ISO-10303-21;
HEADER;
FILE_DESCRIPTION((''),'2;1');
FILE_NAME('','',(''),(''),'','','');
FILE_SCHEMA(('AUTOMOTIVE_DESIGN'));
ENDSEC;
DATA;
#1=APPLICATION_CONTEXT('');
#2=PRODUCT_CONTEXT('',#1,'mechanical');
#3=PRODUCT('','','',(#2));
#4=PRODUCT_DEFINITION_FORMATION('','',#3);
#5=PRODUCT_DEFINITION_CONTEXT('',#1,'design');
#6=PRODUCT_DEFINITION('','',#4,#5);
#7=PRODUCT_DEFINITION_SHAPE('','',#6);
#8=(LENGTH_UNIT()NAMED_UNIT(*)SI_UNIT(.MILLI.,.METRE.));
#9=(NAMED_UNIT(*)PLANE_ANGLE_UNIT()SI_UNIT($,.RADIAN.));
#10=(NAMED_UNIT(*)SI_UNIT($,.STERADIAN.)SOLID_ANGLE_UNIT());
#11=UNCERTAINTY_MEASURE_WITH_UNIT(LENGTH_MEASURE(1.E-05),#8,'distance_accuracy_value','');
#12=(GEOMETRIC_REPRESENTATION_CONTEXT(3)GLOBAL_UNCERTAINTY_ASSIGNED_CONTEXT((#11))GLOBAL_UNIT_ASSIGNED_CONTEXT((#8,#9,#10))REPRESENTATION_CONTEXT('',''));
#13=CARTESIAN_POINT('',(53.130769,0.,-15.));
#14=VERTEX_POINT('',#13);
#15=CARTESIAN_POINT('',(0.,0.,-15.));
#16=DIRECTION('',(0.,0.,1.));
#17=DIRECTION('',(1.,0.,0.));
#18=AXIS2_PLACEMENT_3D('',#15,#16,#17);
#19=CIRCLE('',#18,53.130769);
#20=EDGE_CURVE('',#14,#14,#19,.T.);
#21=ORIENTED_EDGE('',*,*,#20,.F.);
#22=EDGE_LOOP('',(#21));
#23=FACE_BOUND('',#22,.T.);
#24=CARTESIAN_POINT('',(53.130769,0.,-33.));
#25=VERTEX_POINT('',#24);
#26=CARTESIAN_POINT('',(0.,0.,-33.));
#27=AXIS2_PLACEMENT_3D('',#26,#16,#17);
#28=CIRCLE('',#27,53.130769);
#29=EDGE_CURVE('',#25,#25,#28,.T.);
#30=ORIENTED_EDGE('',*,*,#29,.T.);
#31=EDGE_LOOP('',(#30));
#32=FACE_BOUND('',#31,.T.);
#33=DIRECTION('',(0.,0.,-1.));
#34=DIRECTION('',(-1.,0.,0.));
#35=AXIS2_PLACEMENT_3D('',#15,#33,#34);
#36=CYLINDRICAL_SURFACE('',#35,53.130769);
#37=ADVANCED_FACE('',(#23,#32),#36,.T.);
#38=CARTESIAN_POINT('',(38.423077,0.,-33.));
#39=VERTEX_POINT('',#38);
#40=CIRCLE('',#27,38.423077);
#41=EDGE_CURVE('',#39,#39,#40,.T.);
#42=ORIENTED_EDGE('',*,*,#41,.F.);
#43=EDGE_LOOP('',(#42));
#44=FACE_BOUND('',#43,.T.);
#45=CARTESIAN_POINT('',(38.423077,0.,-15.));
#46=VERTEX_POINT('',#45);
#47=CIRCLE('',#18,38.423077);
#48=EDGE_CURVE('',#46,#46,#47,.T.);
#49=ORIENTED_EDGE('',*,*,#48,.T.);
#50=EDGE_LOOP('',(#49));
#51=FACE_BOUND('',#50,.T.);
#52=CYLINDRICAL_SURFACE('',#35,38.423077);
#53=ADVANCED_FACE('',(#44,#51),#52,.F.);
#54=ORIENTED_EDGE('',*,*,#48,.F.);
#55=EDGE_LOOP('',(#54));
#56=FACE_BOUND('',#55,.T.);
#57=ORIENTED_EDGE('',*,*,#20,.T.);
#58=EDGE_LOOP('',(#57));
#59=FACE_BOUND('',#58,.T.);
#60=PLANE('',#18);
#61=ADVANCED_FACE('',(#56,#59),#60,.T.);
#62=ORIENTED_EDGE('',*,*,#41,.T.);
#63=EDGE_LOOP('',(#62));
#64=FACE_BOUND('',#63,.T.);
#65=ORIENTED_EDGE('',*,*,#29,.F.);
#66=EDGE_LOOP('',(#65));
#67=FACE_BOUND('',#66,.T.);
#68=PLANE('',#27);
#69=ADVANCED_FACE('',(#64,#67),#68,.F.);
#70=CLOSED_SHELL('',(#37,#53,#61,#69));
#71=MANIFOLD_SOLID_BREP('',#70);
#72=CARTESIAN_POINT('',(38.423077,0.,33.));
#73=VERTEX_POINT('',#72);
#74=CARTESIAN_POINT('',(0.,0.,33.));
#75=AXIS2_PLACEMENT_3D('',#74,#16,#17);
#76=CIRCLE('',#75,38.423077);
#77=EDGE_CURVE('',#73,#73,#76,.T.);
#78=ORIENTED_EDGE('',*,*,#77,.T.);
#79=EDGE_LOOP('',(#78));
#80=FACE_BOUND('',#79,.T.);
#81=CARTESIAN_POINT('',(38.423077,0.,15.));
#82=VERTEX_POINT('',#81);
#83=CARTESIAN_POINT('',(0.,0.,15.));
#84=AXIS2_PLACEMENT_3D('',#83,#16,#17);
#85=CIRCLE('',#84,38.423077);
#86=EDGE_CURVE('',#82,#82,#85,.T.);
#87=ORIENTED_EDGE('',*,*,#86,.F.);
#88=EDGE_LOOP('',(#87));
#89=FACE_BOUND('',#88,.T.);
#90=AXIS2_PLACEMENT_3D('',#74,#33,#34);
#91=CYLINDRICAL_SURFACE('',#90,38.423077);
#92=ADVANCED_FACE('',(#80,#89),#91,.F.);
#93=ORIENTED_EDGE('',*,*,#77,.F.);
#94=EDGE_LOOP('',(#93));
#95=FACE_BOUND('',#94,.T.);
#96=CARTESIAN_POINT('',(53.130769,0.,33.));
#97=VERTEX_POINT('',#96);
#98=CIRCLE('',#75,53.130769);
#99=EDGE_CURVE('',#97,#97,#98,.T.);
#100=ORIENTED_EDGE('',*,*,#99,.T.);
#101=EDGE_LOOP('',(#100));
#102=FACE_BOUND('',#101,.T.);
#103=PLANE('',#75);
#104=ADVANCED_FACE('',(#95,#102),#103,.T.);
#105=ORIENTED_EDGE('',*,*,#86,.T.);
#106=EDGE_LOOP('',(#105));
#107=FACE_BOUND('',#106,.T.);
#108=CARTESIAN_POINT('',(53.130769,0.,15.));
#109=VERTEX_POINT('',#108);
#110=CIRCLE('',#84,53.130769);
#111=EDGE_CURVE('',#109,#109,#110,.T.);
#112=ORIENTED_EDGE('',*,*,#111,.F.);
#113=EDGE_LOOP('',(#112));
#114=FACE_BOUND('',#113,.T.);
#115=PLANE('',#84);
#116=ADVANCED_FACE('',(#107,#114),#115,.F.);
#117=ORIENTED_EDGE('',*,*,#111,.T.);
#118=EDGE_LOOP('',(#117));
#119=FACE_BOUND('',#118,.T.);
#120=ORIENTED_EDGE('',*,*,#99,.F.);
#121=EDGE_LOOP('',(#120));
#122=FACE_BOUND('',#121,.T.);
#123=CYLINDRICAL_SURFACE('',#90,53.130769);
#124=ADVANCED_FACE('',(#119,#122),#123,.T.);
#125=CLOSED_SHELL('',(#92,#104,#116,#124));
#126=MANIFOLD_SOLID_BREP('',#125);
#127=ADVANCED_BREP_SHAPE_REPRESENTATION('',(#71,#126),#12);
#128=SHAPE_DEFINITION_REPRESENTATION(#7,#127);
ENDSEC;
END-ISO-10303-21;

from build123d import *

# Parameters (mm, degrees)
ENDTURN_R_START = 15
SKETCH_1_R      = 53.130769231
SKETCH_1_R_2    = 38.423076923
ENDTURN_R_DEPTH = 18
ENDTURN_L_START = -33
SKETCH_2_R      = 53.130769231
SKETCH_2_R_2    = 38.423076923
ENDTURN_L_DEPTH = 18


with BuildPart() as part:
    # Эскиз1 → Endturn_R (new body)
    with BuildSketch(Plane.XY.offset(ENDTURN_R_START)):
        Circle(SKETCH_1_R)
        Circle(SKETCH_1_R_2, mode=Mode.SUBTRACT)
    extrude(amount=ENDTURN_R_DEPTH)


with BuildPart() as body_2:
    # Эскиз2 → Endturn_L (new body)
    with BuildSketch(Plane.XY.offset(ENDTURN_L_START)):
        Circle(SKETCH_2_R)
        Circle(SKETCH_2_R_2, mode=Mode.SUBTRACT)
    extrude(amount=ENDTURN_L_DEPTH)


solid = Compound([part.part, body_2.part])
